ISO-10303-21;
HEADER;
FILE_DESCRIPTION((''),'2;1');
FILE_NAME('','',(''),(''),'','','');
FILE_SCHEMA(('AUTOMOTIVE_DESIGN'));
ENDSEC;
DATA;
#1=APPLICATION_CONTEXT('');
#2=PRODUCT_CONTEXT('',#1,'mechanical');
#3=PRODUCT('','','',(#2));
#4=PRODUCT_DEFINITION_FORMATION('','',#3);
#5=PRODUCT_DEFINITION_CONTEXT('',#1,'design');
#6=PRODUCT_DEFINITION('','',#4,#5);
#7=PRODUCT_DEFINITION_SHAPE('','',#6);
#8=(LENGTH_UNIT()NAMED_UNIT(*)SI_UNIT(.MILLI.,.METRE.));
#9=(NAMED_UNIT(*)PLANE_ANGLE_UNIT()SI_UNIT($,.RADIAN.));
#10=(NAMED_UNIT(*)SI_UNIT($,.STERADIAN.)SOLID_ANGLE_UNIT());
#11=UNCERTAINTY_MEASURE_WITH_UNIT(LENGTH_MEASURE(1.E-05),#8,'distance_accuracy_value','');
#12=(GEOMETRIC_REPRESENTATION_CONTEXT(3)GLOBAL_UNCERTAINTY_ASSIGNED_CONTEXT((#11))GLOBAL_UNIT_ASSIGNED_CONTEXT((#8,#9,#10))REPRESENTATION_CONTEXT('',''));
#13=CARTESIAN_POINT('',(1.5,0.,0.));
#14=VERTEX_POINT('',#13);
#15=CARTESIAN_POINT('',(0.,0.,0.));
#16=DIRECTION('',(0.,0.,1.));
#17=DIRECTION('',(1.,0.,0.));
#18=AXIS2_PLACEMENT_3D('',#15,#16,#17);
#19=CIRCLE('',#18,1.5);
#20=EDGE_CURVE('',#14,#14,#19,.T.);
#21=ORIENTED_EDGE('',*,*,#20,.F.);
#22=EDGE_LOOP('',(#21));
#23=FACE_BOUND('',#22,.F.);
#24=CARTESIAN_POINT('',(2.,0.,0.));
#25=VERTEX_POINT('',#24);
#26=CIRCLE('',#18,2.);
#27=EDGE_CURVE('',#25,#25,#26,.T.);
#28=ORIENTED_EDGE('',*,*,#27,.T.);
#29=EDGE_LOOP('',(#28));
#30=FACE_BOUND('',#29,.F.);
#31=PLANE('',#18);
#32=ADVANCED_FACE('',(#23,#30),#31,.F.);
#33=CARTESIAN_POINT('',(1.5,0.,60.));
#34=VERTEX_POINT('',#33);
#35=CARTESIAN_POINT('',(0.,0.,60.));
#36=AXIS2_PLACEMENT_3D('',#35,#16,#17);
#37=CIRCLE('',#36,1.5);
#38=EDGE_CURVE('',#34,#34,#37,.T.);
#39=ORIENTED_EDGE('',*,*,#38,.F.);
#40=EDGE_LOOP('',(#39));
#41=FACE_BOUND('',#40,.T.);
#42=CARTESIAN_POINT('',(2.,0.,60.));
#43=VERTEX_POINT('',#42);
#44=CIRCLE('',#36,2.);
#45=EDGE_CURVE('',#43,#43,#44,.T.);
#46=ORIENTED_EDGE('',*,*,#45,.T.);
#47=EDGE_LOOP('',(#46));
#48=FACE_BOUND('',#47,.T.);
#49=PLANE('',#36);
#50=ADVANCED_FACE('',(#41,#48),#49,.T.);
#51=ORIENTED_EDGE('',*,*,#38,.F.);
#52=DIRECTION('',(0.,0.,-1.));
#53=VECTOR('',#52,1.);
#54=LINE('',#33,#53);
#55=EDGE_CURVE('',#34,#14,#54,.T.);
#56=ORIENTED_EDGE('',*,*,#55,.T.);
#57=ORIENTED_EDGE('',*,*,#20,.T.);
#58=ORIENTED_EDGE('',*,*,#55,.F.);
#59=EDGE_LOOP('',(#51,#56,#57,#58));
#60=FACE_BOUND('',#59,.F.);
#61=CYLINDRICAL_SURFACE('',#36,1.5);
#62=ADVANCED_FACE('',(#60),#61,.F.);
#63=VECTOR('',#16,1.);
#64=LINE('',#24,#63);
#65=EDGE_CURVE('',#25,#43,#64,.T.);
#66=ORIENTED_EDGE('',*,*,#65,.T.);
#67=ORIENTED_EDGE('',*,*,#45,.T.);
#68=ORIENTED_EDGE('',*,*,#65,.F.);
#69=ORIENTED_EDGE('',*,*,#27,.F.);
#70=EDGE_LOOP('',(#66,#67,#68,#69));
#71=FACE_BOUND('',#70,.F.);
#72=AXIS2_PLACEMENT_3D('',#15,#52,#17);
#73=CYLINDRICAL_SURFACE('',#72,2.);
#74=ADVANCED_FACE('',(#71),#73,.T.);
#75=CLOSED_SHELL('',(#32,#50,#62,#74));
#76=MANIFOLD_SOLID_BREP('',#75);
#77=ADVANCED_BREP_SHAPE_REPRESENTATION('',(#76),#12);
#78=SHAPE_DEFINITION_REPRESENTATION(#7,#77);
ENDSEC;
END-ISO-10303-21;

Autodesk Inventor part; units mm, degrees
ref_plane "YZ Plane" through (0, 0, 0) normal (1, 0, 0) x (0, 1, 0)
ref_plane "XZ Plane" through (0, 0, 0) normal (0, 1, 0) x (-1, 0, 0)
ref_plane "XY Plane" through (0, 0, 0) normal (0, 0, 1) x (1, 0, 0)
sketch "スケッチ1" plane through (0, 0, 0) normal (0, 0, 1) x (1, 0, 0)
  circle A0 centre (0, 0) radius 2
  dimension "d0" = 4
extrude "押し出し1" add sketch "スケッチ1" along normal blind 60
sketch "スケッチ2" plane through (0, 0, 60) normal (0, 0, 1) x (1, 0, 0)
  circle A0 centre (0, 0) radius 1.5
  dimension "d3" = 3
extrude "押し出し2" cut sketch "スケッチ2" against normal blind 60
properties part number "Caster pole 2" material "PVC、軟質"
